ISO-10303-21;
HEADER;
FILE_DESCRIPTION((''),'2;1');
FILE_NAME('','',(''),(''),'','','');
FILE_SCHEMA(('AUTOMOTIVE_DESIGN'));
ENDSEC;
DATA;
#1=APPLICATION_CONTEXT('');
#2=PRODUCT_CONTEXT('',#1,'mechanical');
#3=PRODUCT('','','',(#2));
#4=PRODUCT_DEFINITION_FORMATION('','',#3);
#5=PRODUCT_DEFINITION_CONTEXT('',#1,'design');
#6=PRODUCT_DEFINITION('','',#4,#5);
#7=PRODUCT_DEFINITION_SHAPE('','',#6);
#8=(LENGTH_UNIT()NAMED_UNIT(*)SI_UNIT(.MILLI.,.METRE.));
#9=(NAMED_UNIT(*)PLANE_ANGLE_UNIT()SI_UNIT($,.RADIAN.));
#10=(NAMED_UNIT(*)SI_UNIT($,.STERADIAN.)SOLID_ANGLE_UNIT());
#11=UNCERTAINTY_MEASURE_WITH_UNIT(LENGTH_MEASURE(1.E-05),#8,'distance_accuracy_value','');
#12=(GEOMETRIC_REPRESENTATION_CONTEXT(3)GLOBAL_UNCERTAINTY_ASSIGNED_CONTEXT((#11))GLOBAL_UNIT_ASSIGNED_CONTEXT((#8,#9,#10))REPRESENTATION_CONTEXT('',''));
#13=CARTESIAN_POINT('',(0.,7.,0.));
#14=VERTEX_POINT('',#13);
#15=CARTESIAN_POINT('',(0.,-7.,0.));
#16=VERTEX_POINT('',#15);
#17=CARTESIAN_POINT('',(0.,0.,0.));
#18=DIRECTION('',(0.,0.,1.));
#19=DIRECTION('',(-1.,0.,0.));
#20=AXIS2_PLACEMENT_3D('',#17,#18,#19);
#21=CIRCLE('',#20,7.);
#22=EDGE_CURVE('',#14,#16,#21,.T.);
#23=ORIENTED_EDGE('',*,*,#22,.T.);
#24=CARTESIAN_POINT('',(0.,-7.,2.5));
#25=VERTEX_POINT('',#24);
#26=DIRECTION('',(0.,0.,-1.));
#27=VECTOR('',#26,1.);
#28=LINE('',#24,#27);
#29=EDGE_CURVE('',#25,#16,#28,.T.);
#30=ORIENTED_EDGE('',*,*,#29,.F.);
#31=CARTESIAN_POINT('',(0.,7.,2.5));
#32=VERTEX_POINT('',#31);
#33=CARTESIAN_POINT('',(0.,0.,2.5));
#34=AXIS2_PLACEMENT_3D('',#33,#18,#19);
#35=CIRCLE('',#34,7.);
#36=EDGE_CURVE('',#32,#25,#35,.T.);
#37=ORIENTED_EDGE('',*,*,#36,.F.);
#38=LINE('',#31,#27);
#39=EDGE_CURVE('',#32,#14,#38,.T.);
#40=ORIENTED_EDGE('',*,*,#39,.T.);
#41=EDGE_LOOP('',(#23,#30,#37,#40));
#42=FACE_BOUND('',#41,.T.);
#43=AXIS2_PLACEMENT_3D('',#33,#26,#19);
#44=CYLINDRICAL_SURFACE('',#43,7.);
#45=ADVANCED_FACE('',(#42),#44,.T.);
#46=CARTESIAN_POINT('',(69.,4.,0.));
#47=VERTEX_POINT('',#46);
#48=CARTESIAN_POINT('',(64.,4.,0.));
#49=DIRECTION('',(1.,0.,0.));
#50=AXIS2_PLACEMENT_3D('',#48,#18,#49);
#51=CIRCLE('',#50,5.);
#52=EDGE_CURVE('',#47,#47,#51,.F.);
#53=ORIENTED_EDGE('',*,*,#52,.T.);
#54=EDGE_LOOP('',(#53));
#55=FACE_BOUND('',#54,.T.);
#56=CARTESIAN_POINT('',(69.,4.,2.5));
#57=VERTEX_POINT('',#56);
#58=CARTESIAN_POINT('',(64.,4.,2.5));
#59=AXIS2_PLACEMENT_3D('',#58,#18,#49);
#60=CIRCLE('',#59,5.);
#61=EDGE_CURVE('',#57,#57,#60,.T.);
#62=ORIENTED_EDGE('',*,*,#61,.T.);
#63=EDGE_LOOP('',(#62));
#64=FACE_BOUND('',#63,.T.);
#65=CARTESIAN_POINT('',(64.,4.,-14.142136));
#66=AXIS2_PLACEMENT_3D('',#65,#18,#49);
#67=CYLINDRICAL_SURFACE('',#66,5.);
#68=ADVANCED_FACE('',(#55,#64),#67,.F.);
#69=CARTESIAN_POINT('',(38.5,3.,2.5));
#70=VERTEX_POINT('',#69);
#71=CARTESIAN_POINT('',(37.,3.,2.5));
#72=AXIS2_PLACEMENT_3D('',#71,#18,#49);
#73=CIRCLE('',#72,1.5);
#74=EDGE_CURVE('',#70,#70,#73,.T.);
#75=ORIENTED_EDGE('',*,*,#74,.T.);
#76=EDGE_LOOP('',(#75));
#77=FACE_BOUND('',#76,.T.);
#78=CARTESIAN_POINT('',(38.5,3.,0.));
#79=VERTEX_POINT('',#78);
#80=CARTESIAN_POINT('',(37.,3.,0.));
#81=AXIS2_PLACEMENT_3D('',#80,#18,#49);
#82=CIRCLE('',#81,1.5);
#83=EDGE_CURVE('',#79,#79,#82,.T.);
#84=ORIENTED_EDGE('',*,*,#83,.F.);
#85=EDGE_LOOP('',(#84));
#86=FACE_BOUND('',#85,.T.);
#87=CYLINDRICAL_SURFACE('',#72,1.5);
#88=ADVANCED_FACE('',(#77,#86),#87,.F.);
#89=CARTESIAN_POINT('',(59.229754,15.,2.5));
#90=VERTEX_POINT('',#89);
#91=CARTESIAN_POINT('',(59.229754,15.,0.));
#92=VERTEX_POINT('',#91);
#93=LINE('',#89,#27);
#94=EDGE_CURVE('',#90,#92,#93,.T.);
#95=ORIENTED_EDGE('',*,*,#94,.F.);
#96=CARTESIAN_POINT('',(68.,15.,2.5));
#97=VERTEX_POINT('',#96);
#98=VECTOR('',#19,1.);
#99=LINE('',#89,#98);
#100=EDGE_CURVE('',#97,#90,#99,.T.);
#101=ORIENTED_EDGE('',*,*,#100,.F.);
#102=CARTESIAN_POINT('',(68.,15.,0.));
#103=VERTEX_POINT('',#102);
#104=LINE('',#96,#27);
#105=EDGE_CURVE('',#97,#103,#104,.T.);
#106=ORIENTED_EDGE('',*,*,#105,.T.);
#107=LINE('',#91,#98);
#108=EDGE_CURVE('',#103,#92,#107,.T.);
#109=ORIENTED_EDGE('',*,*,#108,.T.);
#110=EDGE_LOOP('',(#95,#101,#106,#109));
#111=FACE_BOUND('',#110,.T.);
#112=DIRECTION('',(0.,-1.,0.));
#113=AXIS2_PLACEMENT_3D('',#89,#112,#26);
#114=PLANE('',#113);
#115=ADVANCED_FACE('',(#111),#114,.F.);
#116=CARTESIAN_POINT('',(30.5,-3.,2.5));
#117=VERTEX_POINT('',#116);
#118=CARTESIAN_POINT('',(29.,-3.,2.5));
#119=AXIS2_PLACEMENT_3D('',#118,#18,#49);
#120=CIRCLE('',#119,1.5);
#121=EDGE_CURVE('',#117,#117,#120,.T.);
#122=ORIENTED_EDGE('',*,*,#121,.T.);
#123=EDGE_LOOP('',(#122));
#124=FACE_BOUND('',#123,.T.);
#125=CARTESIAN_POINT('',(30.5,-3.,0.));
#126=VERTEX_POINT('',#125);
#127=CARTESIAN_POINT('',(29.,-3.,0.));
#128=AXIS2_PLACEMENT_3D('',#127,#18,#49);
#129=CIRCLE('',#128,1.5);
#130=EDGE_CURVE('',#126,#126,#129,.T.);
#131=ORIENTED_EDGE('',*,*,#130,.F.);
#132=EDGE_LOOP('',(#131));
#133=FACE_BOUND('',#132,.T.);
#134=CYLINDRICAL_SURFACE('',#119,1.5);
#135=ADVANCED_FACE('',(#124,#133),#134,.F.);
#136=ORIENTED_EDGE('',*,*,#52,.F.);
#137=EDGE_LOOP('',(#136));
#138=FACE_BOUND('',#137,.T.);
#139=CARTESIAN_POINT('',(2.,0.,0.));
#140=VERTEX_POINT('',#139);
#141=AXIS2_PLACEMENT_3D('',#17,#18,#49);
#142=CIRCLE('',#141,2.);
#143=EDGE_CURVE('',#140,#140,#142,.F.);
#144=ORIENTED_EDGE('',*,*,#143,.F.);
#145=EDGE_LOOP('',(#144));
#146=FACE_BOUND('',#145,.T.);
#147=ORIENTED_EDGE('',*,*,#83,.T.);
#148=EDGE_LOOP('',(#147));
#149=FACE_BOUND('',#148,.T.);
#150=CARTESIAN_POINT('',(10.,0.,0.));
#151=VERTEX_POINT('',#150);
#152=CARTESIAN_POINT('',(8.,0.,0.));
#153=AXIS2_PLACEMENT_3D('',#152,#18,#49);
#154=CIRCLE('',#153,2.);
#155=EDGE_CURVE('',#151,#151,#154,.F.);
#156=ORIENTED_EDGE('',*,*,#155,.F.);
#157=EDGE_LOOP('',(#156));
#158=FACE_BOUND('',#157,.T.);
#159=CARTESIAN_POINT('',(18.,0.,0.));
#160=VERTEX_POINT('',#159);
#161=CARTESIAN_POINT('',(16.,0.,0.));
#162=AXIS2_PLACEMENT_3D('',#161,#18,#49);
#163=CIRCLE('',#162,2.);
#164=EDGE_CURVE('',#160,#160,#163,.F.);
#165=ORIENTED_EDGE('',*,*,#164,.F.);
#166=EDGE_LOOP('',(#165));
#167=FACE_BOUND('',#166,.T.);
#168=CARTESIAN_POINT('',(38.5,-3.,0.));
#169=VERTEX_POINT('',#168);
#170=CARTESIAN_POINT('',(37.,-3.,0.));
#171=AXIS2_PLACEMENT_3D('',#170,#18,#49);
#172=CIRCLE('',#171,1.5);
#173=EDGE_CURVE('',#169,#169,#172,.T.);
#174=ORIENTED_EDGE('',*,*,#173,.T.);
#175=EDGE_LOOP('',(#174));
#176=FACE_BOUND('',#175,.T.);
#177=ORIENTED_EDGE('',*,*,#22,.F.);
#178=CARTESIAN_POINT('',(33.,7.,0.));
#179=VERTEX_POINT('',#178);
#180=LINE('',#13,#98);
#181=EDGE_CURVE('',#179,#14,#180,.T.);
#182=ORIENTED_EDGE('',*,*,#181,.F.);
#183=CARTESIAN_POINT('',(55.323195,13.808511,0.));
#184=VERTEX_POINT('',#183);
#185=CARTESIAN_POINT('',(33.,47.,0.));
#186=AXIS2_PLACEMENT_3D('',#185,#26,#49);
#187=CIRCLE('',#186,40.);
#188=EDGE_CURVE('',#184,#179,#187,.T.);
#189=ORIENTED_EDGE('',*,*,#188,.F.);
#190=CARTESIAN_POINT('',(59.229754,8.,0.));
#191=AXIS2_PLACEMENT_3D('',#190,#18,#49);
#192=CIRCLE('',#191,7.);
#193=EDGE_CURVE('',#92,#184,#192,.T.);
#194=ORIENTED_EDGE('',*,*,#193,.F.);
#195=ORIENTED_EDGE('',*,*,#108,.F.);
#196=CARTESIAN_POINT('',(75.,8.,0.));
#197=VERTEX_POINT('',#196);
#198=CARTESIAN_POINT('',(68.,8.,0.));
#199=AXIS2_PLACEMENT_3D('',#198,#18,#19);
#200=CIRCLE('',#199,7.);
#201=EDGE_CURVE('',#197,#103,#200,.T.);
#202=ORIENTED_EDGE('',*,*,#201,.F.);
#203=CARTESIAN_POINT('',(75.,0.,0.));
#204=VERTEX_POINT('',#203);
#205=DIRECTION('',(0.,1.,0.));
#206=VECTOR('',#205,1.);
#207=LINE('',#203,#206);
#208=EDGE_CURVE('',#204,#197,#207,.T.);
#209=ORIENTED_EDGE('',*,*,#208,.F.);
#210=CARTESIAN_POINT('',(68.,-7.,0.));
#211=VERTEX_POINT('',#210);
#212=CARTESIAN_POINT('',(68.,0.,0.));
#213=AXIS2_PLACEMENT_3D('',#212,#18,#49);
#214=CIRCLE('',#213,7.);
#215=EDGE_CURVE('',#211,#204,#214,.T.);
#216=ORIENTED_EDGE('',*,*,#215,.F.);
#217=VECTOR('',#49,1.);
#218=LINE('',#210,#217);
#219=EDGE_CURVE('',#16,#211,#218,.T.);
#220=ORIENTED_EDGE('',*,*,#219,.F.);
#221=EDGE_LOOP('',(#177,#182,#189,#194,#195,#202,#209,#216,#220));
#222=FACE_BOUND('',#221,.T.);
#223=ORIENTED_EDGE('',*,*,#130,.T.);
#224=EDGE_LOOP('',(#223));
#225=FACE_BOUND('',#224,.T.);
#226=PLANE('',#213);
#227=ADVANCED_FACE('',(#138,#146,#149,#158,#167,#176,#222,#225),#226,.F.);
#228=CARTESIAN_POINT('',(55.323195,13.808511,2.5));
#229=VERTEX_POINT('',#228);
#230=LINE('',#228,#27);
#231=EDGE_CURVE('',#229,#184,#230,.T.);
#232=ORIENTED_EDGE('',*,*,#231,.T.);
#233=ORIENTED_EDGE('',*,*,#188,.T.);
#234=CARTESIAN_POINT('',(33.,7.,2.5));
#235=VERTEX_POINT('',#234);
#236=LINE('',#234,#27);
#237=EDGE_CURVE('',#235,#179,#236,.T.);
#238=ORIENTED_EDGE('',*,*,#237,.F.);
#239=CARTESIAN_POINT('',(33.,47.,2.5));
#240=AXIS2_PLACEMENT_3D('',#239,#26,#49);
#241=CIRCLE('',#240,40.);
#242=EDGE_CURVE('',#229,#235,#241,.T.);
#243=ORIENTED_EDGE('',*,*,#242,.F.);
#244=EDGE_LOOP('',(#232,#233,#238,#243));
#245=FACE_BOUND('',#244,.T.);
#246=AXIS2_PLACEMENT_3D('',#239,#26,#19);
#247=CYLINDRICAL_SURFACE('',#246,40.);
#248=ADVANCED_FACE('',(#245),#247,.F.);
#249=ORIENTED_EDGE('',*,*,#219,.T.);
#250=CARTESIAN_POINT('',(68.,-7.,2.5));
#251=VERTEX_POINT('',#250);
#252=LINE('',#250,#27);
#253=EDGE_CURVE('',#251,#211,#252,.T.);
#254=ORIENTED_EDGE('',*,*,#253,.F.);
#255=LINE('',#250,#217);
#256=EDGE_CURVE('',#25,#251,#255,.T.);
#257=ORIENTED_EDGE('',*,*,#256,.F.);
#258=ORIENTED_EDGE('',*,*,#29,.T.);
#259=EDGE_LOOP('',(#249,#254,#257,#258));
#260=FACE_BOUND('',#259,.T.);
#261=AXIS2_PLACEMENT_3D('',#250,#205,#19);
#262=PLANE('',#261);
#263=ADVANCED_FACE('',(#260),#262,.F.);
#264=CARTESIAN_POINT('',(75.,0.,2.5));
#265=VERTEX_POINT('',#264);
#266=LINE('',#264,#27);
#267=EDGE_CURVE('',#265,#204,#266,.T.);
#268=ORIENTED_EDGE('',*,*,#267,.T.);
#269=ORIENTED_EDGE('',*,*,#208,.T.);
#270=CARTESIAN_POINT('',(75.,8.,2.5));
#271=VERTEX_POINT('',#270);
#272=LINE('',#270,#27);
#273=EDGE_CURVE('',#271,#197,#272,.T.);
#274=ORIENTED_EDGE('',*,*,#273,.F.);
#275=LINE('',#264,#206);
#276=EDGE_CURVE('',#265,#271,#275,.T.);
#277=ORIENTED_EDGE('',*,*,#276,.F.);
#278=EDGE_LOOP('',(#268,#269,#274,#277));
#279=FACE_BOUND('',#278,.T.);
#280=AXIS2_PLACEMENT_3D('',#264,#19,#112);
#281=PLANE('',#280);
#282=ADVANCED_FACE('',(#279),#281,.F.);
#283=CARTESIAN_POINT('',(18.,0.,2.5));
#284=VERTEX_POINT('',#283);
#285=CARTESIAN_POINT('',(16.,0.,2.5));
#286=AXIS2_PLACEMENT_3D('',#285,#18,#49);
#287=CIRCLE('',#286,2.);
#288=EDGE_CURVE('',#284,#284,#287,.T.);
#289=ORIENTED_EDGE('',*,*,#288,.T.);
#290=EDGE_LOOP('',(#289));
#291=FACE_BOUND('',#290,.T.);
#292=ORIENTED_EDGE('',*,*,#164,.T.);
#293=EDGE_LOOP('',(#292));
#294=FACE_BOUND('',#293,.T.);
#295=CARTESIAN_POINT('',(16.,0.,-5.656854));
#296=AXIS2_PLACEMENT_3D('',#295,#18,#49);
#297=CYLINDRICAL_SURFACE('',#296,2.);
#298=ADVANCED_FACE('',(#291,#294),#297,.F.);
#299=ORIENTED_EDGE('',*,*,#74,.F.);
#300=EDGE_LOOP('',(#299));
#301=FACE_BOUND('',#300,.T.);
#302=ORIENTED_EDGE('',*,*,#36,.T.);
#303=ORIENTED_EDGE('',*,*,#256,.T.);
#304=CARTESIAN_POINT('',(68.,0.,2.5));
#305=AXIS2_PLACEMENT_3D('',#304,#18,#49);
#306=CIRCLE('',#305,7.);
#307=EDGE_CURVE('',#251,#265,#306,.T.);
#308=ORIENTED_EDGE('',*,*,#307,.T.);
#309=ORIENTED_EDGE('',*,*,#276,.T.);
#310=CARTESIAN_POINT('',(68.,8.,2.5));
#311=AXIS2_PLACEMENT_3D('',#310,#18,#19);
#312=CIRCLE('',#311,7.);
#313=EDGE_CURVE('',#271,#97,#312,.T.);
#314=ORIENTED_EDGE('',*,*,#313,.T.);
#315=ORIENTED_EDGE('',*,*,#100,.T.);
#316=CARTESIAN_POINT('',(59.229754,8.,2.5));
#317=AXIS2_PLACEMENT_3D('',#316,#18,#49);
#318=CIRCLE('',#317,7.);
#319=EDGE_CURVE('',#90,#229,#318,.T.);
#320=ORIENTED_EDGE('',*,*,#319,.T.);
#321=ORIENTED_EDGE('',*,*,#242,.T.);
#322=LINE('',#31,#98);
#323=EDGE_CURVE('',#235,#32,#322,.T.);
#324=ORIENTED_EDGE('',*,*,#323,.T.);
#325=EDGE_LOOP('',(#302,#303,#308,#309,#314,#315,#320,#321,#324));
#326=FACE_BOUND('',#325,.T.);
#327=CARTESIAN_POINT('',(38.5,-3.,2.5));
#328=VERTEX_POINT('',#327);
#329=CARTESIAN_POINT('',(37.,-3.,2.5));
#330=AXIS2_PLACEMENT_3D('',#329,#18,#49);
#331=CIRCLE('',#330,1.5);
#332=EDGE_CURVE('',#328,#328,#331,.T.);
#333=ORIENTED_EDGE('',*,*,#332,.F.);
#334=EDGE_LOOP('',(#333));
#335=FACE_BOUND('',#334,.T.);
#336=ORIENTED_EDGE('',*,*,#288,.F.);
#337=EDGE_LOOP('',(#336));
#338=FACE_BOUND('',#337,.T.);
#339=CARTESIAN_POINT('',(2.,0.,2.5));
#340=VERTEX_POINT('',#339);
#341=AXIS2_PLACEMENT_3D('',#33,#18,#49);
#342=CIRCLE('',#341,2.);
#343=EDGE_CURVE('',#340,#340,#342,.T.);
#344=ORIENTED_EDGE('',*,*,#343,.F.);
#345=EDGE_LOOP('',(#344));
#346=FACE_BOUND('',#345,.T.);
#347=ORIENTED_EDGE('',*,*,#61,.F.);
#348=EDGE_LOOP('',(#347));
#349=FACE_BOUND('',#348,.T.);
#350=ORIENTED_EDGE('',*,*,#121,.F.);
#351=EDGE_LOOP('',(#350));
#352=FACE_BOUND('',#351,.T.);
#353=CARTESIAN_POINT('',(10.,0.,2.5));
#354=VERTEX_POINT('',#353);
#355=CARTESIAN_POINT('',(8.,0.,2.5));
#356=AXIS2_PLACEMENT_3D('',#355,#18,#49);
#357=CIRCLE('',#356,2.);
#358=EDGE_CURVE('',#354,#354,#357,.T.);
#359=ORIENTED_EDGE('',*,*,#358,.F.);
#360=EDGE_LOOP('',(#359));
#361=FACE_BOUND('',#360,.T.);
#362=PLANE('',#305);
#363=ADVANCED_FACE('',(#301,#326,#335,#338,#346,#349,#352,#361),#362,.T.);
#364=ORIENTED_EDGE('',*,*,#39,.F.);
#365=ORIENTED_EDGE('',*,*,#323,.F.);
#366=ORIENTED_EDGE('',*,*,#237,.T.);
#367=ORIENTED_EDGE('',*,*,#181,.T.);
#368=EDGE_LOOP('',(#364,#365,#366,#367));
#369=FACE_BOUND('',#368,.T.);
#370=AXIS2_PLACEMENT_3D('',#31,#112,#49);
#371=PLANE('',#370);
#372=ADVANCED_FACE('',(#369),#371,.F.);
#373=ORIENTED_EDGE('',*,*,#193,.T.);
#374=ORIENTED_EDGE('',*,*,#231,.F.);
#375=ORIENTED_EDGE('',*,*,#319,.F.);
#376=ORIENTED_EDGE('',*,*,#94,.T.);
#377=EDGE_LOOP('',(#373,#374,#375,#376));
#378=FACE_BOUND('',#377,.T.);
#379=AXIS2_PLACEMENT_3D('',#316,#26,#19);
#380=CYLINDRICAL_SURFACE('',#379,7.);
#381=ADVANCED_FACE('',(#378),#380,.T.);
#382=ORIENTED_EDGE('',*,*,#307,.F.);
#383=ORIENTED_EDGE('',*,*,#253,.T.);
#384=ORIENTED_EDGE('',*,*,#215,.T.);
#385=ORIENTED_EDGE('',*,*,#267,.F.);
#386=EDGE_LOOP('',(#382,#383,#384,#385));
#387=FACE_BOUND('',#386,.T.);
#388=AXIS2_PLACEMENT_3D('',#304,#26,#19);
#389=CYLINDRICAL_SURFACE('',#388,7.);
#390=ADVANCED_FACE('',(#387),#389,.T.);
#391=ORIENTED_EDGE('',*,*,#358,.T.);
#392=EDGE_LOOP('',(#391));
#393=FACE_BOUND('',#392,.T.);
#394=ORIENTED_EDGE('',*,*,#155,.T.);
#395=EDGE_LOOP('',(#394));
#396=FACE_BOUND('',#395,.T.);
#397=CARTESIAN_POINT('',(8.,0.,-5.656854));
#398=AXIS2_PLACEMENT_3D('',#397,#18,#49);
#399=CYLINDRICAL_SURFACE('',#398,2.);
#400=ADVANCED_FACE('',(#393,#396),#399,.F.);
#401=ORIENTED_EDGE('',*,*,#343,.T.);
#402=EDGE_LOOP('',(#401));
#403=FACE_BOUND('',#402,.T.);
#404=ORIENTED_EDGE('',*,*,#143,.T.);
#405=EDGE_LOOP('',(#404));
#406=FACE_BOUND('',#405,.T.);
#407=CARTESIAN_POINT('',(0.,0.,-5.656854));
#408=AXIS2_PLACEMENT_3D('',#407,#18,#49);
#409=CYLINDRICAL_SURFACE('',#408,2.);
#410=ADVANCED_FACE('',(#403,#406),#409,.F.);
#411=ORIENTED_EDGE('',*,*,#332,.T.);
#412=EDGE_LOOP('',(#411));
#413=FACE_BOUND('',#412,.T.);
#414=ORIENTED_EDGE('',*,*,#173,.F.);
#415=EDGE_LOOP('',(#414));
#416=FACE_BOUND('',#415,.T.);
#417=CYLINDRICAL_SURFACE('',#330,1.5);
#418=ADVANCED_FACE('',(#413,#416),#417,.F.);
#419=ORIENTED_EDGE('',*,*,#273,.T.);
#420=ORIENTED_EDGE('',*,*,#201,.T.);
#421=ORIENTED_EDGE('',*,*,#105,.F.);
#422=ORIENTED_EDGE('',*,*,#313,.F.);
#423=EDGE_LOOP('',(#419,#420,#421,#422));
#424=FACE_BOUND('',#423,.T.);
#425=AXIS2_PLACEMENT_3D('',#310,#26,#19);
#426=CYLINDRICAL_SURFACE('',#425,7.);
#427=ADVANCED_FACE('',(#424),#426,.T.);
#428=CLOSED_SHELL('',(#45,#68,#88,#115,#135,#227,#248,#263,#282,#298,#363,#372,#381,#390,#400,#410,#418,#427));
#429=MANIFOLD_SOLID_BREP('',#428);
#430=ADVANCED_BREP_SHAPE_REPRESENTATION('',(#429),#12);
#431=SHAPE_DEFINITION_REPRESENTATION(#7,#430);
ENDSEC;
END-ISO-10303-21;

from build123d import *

# Parameters (mm, degrees)
BOSS_EXTRUDE1_DEPTH   = 2.5
SKETCH2_R             = 2
CUT_EXTRUDE1_DEPTH    = 2.5
SKETCH3_R             = 5
CUT_EXTRUDE2_DEPTH    = 2.5
F_3_0MM_DOWEL_HOLE2_D = 3


with BuildPart() as part:
    # Sketch1 → Boss-Extrude1 (new body)
    with BuildSketch(Plane.XY):
        with BuildLine():
            Line((0, 7), (33, 7))
            ThreePointArc((33, 7), (44.66919932, 8.739971416), (55.323194976, 13.808510638))
            ThreePointArc((55.323194976, 13.808510638), (57.187644216, 14.695505002), (59.229754097, 15))
            Line((59.229754097, 15), (68, 15))
            ThreePointArc((68, 15), (72.949747468, 12.949747468), (75, 8))
            Line((75, 8), (75, 0))
            ThreePointArc((75, 0), (72.949747468, -4.949747468), (68, -7))
            Line((68, -7), (0, -7))
            ThreePointArc((0, -7), (-7, 0), (0, 7))
        make_face()
    extrude(amount=BOSS_EXTRUDE1_DEPTH)

    # Sketch2 → Cut-Extrude1 (cut)
    with BuildSketch(Plane.XY.offset(2.5)):
        Circle(SKETCH2_R)
        with Locations((8, 0)):
            Circle(SKETCH2_R)
        with Locations((16, 0)):
            Circle(SKETCH2_R)
    extrude(amount=-CUT_EXTRUDE1_DEPTH, mode=Mode.SUBTRACT)

    # Sketch3 → Cut-Extrude2 (cut)
    with BuildSketch(Plane.XY.offset(2.5)):
        with Locations((64, 4)):
            Circle(SKETCH3_R)
    extrude(amount=-CUT_EXTRUDE2_DEPTH, mode=Mode.SUBTRACT)

    # Ø3.0mm Dowel Hole2 (through all)
    with Locations(Plane.XY.offset(2.5)):
        with Locations((29, -3), (37, -3), (37, 3)):
            Hole(F_3_0MM_DOWEL_HOLE2_D / 2)


solid = part.part
